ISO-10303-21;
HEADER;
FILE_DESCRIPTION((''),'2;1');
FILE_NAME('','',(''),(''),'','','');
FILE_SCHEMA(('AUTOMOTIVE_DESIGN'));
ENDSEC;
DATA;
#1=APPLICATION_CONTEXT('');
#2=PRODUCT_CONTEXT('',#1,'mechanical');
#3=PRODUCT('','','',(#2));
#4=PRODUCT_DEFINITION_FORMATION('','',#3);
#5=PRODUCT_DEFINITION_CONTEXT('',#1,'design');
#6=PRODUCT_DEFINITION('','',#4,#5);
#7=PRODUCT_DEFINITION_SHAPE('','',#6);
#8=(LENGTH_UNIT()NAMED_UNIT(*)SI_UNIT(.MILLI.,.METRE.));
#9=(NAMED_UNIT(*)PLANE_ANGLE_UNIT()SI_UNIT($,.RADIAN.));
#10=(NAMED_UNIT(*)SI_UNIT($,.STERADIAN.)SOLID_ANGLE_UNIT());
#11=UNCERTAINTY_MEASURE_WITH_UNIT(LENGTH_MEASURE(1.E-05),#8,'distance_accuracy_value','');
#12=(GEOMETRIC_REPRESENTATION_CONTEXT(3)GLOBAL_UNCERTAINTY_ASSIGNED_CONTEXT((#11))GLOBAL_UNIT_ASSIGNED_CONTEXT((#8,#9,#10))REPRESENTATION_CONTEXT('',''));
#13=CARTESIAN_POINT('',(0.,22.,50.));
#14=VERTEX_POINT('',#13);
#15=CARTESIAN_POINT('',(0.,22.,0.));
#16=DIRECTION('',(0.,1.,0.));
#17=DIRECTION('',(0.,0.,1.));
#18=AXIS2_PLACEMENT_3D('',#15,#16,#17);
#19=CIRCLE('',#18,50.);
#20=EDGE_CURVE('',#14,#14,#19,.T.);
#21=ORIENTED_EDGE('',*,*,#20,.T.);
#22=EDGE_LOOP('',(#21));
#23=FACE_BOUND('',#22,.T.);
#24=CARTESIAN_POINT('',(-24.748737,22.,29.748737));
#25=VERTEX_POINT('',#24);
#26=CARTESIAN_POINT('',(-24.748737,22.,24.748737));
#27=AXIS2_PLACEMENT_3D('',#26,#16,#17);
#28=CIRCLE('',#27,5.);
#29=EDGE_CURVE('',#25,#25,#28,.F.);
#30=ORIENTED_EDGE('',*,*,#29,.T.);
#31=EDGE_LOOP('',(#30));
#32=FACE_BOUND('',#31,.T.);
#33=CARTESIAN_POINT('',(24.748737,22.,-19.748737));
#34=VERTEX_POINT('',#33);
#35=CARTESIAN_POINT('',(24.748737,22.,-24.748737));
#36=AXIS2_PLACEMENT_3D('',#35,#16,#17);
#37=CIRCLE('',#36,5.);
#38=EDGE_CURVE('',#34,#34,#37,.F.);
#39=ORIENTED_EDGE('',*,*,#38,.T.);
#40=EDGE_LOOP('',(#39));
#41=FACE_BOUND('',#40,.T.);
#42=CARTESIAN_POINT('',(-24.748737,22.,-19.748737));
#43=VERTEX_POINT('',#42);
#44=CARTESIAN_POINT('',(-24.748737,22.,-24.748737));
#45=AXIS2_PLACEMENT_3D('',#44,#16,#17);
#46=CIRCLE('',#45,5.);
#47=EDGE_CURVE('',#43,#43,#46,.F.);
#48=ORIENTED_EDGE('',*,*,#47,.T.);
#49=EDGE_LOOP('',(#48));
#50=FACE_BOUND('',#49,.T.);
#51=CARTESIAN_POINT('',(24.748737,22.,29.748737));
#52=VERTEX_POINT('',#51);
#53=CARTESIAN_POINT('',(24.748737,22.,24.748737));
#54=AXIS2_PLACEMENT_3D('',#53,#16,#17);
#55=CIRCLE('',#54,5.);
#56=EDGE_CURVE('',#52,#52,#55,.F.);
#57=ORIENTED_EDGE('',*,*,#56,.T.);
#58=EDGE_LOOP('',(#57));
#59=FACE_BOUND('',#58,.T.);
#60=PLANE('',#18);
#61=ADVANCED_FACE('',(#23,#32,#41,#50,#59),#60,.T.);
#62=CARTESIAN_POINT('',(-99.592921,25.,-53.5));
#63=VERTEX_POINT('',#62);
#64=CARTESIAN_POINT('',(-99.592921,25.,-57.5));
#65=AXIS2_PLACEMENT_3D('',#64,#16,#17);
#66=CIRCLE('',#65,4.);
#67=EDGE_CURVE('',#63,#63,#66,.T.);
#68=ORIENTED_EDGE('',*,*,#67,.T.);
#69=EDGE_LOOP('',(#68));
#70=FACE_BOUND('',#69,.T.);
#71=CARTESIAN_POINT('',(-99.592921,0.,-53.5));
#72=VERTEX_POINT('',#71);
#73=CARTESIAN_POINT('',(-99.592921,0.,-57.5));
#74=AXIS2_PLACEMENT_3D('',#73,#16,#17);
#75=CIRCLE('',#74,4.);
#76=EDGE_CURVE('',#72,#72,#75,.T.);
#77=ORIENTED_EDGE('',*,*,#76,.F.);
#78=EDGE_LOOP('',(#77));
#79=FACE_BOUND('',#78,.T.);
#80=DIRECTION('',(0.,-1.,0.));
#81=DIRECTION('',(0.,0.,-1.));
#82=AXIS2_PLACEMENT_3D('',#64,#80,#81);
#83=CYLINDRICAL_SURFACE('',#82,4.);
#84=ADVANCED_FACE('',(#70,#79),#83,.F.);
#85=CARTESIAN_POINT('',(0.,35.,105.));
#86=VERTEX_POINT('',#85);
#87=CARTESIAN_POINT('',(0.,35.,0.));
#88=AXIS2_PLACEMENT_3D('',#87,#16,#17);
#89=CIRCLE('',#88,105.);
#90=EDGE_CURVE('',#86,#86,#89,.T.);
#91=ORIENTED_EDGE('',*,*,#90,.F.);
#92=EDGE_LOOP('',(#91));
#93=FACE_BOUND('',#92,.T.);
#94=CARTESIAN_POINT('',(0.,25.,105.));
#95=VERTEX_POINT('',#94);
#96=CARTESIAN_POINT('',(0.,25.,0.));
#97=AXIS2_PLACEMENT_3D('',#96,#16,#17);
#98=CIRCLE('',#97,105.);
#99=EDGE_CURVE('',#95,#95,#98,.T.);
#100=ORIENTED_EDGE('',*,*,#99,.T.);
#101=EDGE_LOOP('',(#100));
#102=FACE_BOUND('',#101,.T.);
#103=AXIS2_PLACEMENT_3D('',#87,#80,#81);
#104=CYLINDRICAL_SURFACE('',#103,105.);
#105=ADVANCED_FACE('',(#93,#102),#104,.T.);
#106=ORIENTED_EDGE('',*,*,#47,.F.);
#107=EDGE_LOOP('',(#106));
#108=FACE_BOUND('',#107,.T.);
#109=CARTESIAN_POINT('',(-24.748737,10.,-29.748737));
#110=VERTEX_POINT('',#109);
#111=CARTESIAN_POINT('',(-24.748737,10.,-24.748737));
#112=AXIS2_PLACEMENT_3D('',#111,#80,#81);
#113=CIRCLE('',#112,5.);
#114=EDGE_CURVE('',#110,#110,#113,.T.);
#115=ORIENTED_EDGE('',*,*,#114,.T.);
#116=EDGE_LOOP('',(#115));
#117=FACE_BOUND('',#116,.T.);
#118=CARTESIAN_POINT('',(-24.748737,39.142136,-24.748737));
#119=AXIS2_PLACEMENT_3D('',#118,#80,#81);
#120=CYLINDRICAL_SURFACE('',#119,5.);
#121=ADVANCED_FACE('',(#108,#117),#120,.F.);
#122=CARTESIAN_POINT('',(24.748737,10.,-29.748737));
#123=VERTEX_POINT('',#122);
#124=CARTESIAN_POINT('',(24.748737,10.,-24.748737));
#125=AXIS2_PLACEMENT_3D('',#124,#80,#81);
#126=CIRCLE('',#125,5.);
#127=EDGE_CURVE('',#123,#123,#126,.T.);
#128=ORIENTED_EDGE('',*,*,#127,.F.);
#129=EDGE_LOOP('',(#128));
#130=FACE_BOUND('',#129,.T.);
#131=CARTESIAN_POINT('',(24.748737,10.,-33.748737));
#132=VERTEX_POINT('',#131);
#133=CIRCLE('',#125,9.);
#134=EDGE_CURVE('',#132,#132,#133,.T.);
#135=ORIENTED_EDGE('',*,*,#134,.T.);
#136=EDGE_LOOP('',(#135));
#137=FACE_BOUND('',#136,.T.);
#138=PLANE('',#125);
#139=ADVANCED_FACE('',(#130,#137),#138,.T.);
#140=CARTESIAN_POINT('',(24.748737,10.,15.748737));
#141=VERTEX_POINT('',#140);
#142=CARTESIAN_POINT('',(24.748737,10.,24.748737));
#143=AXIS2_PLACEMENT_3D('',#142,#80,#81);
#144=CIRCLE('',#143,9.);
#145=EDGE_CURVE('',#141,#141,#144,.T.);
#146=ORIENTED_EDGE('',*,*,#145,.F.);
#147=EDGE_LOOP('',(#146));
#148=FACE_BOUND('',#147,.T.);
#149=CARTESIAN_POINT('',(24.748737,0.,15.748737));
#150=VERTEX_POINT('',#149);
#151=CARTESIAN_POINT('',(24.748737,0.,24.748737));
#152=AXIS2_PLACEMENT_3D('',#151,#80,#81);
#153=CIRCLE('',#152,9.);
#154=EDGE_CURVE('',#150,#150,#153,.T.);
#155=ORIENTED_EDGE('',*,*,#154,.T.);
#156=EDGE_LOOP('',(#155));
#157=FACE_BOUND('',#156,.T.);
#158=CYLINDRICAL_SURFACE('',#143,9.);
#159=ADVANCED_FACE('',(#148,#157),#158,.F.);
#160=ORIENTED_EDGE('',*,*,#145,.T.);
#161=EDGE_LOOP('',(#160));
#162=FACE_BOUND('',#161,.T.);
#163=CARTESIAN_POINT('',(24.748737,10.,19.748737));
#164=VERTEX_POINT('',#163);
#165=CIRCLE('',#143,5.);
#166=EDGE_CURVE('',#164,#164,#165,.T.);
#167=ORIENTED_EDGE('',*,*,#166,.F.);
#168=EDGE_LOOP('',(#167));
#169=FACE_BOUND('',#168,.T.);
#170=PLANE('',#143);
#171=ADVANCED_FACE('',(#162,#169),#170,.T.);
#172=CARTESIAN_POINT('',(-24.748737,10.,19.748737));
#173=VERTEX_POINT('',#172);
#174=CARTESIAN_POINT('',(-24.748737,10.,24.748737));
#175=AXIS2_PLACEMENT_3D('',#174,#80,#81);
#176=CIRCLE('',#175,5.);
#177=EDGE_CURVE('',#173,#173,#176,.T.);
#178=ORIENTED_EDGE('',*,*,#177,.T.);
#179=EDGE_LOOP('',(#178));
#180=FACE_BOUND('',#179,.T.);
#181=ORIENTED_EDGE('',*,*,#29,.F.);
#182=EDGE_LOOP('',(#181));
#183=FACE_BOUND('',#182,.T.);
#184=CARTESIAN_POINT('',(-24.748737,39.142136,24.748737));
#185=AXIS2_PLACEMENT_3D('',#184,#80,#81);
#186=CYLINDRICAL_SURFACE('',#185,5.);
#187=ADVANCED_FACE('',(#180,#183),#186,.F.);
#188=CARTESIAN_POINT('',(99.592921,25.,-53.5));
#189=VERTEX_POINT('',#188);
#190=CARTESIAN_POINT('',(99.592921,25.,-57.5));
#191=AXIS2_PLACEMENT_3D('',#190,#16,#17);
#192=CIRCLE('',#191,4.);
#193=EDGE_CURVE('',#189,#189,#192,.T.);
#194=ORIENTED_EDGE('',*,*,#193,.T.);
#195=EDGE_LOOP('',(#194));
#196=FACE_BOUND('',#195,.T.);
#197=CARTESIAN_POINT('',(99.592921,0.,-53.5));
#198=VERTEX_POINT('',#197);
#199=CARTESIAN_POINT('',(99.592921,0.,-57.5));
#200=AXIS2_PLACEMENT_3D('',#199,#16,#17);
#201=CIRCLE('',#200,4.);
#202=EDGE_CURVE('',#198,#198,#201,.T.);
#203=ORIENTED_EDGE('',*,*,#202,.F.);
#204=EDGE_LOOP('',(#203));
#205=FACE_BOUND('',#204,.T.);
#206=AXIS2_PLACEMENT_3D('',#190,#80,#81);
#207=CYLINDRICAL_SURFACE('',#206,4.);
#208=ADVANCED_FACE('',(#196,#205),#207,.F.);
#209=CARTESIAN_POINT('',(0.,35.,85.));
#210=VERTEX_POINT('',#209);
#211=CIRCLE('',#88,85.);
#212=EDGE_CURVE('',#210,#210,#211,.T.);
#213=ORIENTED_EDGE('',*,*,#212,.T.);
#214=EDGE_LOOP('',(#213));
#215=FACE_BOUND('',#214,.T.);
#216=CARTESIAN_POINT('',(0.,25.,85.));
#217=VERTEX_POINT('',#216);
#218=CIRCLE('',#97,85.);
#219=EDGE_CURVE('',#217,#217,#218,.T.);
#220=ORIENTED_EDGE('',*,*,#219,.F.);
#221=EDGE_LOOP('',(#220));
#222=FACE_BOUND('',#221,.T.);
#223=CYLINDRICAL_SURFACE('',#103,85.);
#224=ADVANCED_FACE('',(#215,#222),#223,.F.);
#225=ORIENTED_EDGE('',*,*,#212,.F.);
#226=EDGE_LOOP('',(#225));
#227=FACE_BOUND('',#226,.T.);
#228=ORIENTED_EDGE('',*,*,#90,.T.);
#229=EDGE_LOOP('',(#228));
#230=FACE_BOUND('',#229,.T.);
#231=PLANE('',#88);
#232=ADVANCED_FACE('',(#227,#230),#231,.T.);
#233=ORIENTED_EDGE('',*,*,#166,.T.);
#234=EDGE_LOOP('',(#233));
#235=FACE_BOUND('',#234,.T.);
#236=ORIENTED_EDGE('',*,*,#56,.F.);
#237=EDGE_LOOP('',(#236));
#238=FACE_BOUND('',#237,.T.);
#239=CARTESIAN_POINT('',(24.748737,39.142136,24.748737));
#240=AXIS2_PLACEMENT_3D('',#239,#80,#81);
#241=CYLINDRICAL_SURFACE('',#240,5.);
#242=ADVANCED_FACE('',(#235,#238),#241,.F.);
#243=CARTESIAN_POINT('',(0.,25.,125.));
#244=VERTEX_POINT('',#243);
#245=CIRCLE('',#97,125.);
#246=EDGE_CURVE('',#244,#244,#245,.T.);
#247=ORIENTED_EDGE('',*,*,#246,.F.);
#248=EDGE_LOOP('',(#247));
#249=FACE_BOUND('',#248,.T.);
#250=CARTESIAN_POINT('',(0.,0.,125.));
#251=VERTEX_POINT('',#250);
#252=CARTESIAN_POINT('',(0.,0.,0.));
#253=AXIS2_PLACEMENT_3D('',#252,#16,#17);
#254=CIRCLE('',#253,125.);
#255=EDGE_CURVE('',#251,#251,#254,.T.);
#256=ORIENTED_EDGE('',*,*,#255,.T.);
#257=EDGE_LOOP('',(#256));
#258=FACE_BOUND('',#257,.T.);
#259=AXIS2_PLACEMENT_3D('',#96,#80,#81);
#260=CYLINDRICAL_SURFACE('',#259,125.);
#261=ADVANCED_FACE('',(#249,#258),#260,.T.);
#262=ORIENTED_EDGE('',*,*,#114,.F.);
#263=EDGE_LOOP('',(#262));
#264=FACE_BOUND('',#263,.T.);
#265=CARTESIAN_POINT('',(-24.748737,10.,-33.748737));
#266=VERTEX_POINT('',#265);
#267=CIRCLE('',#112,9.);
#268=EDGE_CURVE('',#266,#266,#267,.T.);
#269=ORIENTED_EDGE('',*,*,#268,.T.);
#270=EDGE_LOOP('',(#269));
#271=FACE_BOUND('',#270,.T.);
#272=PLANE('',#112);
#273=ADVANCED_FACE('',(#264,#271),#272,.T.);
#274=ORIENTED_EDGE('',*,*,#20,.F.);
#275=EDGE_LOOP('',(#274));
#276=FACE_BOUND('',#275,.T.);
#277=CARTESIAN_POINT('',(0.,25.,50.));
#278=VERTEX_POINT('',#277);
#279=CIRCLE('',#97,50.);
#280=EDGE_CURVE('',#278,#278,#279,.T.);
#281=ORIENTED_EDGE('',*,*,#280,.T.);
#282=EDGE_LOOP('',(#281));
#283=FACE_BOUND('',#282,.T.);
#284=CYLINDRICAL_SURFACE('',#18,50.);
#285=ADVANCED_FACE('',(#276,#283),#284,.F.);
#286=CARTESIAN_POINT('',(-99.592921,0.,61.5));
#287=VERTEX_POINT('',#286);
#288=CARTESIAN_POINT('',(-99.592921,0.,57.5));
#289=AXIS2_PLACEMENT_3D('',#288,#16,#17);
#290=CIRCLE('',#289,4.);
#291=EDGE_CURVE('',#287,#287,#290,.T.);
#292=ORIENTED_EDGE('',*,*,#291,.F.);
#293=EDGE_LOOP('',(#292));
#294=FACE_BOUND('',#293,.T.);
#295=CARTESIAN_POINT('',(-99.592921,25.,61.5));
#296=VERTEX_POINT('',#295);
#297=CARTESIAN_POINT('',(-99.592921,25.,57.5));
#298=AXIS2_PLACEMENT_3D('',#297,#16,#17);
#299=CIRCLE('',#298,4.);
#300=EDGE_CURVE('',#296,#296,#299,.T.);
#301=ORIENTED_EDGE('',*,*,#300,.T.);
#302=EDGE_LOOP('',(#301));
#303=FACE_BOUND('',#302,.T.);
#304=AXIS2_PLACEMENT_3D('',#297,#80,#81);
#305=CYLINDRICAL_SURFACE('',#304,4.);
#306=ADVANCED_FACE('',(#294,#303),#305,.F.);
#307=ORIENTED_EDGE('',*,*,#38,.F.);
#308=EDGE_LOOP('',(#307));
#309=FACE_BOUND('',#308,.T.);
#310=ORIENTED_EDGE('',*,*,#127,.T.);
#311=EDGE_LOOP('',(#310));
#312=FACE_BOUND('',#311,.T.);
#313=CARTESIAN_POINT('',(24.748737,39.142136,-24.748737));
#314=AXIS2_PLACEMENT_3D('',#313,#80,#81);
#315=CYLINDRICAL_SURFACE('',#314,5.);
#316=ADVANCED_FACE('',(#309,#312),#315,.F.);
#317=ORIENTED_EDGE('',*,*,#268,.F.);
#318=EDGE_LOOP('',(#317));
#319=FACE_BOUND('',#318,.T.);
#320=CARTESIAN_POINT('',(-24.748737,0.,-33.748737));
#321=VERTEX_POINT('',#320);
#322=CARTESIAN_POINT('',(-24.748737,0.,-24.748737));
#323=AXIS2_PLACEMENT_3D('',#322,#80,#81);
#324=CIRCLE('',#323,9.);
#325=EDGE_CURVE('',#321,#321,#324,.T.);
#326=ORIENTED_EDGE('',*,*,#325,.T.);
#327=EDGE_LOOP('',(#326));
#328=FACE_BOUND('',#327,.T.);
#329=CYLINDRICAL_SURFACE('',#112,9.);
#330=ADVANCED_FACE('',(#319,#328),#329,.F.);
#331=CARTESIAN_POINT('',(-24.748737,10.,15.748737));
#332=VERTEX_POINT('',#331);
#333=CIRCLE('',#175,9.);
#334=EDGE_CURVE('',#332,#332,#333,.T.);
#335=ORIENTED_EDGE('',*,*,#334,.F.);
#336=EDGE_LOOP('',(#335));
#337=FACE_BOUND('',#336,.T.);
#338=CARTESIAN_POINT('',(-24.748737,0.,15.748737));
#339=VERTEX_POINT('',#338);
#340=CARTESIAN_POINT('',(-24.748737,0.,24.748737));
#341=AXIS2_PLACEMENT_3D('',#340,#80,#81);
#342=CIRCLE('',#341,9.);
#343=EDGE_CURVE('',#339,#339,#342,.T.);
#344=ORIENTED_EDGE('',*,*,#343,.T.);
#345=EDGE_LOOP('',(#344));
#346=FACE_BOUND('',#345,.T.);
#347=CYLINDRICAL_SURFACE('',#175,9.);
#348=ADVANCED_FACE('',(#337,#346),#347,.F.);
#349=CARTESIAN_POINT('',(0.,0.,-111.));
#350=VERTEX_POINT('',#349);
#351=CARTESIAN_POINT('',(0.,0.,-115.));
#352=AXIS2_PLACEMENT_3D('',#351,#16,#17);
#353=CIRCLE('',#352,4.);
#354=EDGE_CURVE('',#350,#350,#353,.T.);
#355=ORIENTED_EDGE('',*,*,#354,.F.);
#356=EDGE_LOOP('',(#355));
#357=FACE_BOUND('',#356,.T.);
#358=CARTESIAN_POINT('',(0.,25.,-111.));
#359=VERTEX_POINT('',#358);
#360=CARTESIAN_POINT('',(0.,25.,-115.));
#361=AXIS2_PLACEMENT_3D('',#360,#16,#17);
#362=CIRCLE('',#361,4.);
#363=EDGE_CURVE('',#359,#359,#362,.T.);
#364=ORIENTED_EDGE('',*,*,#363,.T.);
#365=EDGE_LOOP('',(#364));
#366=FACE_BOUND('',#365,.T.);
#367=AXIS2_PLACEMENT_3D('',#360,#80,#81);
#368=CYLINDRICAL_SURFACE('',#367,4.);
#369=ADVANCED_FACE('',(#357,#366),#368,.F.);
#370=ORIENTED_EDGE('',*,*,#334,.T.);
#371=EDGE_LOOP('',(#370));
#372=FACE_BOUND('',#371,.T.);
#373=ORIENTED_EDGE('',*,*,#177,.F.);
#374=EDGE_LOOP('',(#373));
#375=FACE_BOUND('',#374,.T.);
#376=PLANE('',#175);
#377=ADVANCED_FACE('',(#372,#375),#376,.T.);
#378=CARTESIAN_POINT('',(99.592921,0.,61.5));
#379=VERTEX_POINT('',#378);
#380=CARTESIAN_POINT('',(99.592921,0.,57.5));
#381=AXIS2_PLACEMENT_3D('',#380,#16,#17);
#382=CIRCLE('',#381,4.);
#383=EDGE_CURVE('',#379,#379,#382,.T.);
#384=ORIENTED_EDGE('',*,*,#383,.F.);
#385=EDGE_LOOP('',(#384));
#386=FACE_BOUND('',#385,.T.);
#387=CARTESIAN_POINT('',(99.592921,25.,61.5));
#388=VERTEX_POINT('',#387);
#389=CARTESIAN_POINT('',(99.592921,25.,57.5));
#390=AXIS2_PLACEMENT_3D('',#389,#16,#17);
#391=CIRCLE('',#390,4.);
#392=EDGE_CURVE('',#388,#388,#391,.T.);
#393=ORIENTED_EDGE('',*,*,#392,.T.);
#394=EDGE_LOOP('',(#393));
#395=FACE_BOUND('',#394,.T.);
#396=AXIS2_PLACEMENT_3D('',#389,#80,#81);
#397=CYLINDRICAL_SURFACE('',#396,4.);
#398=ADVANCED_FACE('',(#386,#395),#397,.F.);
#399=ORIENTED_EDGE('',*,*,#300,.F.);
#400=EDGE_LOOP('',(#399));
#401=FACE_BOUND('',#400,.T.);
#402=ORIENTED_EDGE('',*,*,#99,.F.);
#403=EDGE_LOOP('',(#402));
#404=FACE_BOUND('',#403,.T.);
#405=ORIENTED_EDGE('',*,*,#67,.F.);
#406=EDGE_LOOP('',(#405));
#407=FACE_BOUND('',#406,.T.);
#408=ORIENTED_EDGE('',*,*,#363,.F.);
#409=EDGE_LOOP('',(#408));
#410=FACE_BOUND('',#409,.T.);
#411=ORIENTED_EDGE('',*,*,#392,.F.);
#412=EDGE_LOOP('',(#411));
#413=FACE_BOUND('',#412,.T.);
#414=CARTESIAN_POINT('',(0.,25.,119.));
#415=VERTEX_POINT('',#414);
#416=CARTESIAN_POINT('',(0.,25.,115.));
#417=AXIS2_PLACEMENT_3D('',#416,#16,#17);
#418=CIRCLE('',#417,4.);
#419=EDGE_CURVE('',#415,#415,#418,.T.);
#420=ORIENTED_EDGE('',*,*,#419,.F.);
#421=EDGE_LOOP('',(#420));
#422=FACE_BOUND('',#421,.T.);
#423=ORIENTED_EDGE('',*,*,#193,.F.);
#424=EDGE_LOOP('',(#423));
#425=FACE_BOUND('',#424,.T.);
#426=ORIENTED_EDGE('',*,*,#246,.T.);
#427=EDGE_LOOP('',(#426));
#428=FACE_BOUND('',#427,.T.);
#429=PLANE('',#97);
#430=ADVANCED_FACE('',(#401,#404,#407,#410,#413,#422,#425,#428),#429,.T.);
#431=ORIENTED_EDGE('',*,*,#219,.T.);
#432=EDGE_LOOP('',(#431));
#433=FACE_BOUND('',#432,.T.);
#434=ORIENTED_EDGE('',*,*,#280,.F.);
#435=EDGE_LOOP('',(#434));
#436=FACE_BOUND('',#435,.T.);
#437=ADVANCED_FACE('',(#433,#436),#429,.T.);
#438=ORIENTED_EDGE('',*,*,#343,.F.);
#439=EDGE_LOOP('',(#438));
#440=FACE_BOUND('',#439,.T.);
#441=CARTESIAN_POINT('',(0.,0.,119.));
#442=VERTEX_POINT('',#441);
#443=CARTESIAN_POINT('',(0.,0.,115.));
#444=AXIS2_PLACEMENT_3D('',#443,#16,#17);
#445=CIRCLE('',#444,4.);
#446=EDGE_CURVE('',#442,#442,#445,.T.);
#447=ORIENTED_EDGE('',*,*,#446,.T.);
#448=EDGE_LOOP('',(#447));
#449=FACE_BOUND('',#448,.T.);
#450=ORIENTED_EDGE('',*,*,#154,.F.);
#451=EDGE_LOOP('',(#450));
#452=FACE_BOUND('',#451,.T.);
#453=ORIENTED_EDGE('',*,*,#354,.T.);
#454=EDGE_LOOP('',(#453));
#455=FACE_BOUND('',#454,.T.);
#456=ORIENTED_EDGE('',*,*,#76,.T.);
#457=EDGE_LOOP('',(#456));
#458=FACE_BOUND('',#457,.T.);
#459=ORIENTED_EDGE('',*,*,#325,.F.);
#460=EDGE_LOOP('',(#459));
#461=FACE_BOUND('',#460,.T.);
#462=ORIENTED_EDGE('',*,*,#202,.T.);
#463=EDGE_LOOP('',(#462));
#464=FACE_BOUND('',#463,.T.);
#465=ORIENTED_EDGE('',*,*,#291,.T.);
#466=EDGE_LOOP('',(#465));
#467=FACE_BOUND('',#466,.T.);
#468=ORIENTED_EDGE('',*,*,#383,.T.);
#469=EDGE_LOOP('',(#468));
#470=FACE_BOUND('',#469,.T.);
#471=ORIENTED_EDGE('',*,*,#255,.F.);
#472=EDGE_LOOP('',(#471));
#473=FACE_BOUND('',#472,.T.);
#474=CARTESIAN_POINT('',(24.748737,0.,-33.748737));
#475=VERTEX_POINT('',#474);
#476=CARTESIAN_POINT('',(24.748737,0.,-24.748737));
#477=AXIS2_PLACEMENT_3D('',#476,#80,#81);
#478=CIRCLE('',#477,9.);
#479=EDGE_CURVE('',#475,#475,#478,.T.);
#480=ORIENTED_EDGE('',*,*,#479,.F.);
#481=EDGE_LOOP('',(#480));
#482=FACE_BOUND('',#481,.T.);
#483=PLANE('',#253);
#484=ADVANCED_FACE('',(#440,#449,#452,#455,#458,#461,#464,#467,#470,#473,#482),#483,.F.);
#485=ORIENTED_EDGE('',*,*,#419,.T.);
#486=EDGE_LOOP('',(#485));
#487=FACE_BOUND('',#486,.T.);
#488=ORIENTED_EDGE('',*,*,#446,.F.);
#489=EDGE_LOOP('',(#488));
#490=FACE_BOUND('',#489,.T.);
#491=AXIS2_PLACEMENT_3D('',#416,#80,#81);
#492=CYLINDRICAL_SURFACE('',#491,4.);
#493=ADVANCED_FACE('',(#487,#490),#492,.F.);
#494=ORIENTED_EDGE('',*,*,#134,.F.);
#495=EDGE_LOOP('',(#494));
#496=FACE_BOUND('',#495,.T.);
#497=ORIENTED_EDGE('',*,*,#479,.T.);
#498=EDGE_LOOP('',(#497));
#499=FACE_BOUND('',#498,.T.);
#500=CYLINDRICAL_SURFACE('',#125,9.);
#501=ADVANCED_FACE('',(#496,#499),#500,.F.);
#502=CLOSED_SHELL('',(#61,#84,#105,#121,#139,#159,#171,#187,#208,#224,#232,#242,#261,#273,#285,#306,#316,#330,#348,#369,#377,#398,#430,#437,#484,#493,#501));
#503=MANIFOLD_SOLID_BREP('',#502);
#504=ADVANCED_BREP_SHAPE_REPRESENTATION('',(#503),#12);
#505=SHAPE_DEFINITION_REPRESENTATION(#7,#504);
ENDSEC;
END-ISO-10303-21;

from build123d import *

# Parameters (mm, degrees)
SKETCH1_R           = 125
SKETCH1_R_2         = 4
BOSS_EXTRUDE1_DEPTH = 25
SKETCH4_R           = 9
CUT_EXTRUDE1_DEPTH  = 10
SKETCH6_R           = 5
CUT_EXTRUDE2_DEPTH  = 15
SKETCH7_R           = 50
CUT_EXTRUDE3_DEPTH  = 3
SKETCH8_R           = 105
SKETCH8_R_2         = 85
BOSS_EXTRUDE2_DEPTH = 10


with BuildPart() as part:
    # Sketch1 → Boss-Extrude1 (new body)
    with BuildSketch(Plane(origin=(0, 0, 0), x_dir=(1, 0, 0), z_dir=(0, 1, 0))):
        Circle(SKETCH1_R)
        with Locations((0, 115)):
            Circle(SKETCH1_R_2, mode=Mode.SUBTRACT)
        with Locations((99.592921435, 57.5)):
            Circle(SKETCH1_R_2, mode=Mode.SUBTRACT)
        with Locations((99.592921435, -57.5)):
            Circle(SKETCH1_R_2, mode=Mode.SUBTRACT)
        with Locations((0, -115)):
            Circle(SKETCH1_R_2, mode=Mode.SUBTRACT)
        with Locations((-99.592921435, -57.5)):
            Circle(SKETCH1_R_2, mode=Mode.SUBTRACT)
        with Locations((-99.592921435, 57.5)):
            Circle(SKETCH1_R_2, mode=Mode.SUBTRACT)
    extrude(amount=BOSS_EXTRUDE1_DEPTH)

    # Sketch4 → Cut-Extrude1 (cut)
    with BuildSketch(Plane.XZ):
        with Locations((-24.748737342, 24.748737342)):
            Circle(SKETCH4_R)
        with Locations((24.748737342, 24.748737342)):
            Circle(SKETCH4_R)
        with Locations((24.748737342, -24.748737342)):
            Circle(SKETCH4_R)
        with Locations((-24.748737342, -24.748737342)):
            Circle(SKETCH4_R)
    extrude(amount=-CUT_EXTRUDE1_DEPTH, mode=Mode.SUBTRACT)

    # Sketch6 → Cut-Extrude2 (cut)
    with BuildSketch(Plane.XZ.offset(-10)):
        with Locations((-24.748737342, 24.748737342)):
            Circle(SKETCH6_R)
        with Locations((24.748737342, 24.748737342)):
            Circle(SKETCH6_R)
        with Locations((24.748737342, -24.748737342)):
            Circle(SKETCH6_R)
        with Locations((-24.748737342, -24.748737342)):
            Circle(SKETCH6_R)
    extrude(amount=-CUT_EXTRUDE2_DEPTH, mode=Mode.SUBTRACT)

    # Sketch7 → Cut-Extrude3 (cut)
    with BuildSketch(Plane(origin=(0, 25, 0), x_dir=(1, 0, 0), z_dir=(0, 1, 0))):
        Circle(SKETCH7_R)
    extrude(amount=-CUT_EXTRUDE3_DEPTH, mode=Mode.SUBTRACT)

    # Sketch8 → Boss-Extrude2 (add)
    with BuildSketch(Plane(origin=(0, 25, 0), x_dir=(1, 0, 0), z_dir=(0, 1, 0))):
        Circle(SKETCH8_R)
        Circle(SKETCH8_R_2, mode=Mode.SUBTRACT)
    extrude(amount=BOSS_EXTRUDE2_DEPTH)


solid = part.part
